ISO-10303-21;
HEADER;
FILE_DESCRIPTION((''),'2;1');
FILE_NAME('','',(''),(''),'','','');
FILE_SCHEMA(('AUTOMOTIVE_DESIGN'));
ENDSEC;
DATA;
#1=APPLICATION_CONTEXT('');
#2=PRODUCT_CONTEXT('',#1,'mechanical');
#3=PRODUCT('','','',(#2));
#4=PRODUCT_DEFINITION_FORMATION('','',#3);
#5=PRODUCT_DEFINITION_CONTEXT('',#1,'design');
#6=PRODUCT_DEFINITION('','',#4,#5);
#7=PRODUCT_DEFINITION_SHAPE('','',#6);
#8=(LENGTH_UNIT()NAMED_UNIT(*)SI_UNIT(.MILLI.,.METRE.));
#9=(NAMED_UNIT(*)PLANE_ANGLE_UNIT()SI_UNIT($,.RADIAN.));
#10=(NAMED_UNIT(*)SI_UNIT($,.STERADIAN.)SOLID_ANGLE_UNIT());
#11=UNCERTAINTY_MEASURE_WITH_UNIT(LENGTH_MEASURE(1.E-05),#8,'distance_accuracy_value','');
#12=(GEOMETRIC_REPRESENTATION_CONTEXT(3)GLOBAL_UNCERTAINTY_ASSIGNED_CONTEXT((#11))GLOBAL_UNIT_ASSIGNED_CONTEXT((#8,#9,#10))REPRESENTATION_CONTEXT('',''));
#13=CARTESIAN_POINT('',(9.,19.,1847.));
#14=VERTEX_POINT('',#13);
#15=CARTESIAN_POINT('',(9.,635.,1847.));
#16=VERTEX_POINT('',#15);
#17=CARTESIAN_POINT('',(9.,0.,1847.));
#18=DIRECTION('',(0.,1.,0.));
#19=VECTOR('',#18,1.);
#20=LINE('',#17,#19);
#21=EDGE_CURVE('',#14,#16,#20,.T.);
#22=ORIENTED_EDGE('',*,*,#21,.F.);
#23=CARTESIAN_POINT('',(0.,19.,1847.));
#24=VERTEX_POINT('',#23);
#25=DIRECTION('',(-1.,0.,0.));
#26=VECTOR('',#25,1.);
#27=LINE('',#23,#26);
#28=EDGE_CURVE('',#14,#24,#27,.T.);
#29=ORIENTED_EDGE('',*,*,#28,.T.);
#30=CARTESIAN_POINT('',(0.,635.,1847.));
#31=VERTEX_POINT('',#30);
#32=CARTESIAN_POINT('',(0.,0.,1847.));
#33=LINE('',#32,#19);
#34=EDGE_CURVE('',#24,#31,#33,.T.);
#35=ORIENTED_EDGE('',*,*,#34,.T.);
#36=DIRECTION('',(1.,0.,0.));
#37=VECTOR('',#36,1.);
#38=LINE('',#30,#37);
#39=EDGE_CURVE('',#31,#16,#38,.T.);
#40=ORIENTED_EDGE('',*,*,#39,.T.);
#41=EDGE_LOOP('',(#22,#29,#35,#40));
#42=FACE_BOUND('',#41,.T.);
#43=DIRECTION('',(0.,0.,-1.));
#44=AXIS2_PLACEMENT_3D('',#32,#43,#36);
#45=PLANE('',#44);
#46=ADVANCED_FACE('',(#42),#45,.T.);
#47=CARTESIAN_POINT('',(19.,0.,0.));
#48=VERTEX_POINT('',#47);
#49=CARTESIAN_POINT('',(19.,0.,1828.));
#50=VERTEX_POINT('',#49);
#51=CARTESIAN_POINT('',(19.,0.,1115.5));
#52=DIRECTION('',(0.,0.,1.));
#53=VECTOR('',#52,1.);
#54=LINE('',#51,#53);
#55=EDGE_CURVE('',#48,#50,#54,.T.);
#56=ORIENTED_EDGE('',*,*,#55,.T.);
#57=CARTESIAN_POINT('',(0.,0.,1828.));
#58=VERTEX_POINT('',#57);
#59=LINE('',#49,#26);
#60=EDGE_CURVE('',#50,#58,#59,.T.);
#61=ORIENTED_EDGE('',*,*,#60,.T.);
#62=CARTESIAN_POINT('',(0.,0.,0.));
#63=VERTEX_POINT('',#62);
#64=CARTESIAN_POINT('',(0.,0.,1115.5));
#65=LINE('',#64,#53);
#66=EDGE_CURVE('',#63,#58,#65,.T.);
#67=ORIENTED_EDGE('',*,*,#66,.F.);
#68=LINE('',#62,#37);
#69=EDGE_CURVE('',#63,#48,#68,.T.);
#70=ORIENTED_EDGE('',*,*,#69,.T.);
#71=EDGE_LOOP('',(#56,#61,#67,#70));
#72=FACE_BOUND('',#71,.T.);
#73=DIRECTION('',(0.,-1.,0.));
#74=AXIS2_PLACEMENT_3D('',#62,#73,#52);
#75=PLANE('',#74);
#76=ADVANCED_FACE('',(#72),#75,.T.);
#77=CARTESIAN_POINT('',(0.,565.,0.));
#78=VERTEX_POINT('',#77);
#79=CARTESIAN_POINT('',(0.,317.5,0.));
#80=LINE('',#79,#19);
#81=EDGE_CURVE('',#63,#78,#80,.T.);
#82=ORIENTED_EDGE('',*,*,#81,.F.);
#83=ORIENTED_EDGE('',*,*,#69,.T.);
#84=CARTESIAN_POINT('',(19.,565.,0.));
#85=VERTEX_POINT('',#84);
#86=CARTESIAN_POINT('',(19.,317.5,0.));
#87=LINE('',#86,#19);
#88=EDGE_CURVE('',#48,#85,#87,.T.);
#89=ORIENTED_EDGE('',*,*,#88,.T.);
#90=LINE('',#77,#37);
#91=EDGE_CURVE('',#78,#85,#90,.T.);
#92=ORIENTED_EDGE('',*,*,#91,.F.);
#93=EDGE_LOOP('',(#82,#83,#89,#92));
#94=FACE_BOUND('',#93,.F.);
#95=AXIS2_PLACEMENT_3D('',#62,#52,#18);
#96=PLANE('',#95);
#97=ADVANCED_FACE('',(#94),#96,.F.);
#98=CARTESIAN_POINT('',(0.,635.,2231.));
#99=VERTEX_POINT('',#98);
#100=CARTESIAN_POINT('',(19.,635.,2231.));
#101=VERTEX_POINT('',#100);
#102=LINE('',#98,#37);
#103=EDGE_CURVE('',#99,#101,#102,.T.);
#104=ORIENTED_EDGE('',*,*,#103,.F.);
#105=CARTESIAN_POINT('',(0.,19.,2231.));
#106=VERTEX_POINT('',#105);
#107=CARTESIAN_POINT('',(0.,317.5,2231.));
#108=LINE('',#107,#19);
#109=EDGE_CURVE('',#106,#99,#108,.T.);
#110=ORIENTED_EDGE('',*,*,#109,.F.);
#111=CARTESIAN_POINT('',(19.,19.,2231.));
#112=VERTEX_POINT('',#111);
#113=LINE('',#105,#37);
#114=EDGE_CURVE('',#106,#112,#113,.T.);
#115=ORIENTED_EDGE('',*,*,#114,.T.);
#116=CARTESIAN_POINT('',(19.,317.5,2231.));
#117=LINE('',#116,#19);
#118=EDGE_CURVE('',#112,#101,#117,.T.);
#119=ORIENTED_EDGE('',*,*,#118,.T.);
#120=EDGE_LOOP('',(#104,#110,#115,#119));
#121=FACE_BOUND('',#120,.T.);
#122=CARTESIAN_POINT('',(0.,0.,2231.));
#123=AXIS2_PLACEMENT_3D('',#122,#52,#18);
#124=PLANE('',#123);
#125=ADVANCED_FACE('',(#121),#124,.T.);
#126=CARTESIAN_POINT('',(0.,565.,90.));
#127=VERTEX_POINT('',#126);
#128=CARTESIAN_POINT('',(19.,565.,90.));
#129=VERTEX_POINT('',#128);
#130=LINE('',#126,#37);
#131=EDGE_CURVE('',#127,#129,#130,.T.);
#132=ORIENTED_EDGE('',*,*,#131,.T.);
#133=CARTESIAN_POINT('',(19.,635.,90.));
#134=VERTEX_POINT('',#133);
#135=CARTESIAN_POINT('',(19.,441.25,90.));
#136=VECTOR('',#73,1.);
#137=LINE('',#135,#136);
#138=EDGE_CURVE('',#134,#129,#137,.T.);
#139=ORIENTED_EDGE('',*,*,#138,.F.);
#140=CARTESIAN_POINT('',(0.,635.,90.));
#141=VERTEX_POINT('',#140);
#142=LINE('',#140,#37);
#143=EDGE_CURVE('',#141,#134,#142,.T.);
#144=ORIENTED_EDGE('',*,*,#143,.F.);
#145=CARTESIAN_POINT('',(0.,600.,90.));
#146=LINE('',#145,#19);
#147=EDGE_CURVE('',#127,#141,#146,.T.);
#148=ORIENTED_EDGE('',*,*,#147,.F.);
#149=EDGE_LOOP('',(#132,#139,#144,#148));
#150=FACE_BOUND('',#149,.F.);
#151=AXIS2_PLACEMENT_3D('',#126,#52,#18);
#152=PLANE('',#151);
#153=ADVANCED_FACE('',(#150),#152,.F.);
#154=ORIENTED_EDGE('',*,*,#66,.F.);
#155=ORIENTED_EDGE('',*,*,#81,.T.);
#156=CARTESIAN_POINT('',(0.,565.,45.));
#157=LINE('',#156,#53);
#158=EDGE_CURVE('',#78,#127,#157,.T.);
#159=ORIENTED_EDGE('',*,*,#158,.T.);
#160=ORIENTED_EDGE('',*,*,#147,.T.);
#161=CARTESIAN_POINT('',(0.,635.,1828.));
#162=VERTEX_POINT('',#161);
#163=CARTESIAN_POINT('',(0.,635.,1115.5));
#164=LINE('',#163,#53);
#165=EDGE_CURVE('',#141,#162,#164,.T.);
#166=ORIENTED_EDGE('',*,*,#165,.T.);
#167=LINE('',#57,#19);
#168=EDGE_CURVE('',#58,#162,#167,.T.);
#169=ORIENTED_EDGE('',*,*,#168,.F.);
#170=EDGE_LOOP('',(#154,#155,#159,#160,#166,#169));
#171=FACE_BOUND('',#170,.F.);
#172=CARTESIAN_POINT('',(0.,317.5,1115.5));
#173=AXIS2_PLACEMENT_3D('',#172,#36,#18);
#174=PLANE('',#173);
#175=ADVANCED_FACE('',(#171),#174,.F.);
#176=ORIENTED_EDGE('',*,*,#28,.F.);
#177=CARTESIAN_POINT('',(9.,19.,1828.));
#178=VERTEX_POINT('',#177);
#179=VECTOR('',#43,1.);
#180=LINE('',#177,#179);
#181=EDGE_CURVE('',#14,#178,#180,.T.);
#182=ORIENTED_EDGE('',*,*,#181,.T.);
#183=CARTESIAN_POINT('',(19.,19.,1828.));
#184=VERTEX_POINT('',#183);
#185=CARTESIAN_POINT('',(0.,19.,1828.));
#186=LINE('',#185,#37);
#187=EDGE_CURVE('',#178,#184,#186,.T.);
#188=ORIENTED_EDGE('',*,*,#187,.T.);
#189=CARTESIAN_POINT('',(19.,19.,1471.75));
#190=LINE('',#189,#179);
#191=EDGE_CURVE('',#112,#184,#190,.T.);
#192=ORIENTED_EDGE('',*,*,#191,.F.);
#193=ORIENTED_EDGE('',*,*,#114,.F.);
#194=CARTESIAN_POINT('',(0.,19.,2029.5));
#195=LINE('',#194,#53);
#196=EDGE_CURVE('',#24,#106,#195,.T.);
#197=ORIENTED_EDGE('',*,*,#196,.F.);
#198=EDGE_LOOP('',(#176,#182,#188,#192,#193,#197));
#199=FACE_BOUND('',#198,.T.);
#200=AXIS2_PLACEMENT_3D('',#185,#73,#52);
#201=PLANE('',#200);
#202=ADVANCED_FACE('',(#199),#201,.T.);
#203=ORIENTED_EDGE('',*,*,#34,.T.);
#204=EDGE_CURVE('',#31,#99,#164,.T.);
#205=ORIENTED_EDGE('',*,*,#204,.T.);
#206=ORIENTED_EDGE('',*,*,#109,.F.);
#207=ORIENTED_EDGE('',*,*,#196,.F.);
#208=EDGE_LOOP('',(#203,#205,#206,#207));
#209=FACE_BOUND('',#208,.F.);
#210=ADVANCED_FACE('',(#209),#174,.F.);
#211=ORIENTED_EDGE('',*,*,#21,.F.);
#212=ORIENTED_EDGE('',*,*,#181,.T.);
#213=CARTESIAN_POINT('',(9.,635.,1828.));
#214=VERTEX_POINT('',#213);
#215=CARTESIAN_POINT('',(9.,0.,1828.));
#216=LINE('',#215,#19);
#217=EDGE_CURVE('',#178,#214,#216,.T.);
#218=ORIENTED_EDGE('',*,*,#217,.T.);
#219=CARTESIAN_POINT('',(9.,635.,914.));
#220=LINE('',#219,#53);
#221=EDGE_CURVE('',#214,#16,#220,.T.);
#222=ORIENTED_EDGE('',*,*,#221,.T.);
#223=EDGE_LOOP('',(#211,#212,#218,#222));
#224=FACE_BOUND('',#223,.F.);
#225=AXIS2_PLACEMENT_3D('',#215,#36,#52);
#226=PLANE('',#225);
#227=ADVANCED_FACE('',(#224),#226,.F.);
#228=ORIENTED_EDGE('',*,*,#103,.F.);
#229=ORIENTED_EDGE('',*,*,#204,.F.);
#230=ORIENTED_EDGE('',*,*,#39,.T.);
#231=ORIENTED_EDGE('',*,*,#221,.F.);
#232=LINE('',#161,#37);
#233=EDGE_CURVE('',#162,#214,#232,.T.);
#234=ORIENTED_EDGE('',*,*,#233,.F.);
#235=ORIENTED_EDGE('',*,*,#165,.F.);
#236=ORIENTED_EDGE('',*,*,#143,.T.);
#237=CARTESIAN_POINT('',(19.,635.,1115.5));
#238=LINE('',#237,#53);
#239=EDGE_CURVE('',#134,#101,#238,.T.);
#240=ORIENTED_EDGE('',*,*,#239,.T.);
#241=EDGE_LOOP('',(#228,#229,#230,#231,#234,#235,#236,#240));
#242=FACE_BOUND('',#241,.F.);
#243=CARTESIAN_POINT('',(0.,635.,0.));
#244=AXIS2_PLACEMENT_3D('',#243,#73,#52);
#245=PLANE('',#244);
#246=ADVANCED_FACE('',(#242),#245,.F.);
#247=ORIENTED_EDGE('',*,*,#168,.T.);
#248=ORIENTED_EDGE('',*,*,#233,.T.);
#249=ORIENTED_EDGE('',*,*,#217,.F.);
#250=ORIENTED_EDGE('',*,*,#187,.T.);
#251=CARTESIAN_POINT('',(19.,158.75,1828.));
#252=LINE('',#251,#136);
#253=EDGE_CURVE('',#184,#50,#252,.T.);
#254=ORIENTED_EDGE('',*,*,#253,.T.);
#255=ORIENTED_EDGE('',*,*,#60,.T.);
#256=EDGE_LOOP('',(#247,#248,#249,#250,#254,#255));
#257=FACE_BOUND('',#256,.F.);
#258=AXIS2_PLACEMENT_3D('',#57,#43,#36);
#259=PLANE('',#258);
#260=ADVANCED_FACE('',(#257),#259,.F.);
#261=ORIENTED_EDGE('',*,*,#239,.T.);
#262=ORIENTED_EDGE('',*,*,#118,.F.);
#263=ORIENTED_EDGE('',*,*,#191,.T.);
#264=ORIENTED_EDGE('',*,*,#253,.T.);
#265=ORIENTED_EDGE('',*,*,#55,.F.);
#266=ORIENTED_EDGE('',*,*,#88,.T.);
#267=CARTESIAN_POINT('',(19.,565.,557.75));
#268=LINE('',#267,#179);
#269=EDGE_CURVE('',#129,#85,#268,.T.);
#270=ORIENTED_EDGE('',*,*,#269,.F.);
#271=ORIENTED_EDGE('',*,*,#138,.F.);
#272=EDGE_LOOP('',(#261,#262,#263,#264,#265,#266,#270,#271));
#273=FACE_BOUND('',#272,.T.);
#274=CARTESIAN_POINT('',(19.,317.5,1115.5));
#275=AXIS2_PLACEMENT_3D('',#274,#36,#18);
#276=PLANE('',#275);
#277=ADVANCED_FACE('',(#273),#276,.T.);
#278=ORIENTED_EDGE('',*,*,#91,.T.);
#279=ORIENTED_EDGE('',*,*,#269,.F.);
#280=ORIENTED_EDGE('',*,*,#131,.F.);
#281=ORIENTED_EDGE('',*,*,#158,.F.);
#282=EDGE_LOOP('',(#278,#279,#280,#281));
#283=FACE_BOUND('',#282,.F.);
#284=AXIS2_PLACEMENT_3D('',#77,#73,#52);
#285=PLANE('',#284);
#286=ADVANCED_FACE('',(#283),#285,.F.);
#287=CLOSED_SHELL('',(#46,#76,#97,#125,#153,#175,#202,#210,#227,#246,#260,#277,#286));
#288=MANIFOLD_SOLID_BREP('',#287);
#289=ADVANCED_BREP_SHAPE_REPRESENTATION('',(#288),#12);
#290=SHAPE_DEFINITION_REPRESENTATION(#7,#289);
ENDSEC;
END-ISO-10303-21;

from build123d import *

# Parameters (mm, degrees)
F0_W     = 635
F0_H     = 2231
F1_DEPTH = 19
F2_W     = 9
F2_H     = 19
F3_DEPTH = 635.001
F4_W     = 70
F4_H     = 90
F5_DEPTH = 19.001
F6_W     = 19
F6_H     = 403
F7_DEPTH = 19.001


with BuildPart() as f1:
    # F0 (on Right) → F1 (new body)
    with BuildSketch(Plane.YZ):
        with Locations((317.5, 1115.5)):
            Rectangle(F0_W, F0_H)
    extrude(amount=F1_DEPTH)

    # F2 (on Front) → F3 (cut, through all)
    with BuildSketch(Plane.XZ):
        with Locations((4.5, 1837.5)):
            Rectangle(F2_W, F2_H)
    extrude(amount=-F3_DEPTH, mode=Mode.SUBTRACT)

    # F4 (on Right) → F5 (cut, through all)
    with BuildSketch(Plane.YZ):
        with Locations((600, 45)):
            Rectangle(F4_W, F4_H)
    extrude(amount=F5_DEPTH, mode=Mode.SUBTRACT)

    # F6 (on Right) → F7 (cut, through all)
    with BuildSketch(Plane.YZ):
        with Locations((9.5, 2029.5)):
            Rectangle(F6_W, F6_H)
    extrude(amount=F7_DEPTH, mode=Mode.SUBTRACT)


solid = f1.part
